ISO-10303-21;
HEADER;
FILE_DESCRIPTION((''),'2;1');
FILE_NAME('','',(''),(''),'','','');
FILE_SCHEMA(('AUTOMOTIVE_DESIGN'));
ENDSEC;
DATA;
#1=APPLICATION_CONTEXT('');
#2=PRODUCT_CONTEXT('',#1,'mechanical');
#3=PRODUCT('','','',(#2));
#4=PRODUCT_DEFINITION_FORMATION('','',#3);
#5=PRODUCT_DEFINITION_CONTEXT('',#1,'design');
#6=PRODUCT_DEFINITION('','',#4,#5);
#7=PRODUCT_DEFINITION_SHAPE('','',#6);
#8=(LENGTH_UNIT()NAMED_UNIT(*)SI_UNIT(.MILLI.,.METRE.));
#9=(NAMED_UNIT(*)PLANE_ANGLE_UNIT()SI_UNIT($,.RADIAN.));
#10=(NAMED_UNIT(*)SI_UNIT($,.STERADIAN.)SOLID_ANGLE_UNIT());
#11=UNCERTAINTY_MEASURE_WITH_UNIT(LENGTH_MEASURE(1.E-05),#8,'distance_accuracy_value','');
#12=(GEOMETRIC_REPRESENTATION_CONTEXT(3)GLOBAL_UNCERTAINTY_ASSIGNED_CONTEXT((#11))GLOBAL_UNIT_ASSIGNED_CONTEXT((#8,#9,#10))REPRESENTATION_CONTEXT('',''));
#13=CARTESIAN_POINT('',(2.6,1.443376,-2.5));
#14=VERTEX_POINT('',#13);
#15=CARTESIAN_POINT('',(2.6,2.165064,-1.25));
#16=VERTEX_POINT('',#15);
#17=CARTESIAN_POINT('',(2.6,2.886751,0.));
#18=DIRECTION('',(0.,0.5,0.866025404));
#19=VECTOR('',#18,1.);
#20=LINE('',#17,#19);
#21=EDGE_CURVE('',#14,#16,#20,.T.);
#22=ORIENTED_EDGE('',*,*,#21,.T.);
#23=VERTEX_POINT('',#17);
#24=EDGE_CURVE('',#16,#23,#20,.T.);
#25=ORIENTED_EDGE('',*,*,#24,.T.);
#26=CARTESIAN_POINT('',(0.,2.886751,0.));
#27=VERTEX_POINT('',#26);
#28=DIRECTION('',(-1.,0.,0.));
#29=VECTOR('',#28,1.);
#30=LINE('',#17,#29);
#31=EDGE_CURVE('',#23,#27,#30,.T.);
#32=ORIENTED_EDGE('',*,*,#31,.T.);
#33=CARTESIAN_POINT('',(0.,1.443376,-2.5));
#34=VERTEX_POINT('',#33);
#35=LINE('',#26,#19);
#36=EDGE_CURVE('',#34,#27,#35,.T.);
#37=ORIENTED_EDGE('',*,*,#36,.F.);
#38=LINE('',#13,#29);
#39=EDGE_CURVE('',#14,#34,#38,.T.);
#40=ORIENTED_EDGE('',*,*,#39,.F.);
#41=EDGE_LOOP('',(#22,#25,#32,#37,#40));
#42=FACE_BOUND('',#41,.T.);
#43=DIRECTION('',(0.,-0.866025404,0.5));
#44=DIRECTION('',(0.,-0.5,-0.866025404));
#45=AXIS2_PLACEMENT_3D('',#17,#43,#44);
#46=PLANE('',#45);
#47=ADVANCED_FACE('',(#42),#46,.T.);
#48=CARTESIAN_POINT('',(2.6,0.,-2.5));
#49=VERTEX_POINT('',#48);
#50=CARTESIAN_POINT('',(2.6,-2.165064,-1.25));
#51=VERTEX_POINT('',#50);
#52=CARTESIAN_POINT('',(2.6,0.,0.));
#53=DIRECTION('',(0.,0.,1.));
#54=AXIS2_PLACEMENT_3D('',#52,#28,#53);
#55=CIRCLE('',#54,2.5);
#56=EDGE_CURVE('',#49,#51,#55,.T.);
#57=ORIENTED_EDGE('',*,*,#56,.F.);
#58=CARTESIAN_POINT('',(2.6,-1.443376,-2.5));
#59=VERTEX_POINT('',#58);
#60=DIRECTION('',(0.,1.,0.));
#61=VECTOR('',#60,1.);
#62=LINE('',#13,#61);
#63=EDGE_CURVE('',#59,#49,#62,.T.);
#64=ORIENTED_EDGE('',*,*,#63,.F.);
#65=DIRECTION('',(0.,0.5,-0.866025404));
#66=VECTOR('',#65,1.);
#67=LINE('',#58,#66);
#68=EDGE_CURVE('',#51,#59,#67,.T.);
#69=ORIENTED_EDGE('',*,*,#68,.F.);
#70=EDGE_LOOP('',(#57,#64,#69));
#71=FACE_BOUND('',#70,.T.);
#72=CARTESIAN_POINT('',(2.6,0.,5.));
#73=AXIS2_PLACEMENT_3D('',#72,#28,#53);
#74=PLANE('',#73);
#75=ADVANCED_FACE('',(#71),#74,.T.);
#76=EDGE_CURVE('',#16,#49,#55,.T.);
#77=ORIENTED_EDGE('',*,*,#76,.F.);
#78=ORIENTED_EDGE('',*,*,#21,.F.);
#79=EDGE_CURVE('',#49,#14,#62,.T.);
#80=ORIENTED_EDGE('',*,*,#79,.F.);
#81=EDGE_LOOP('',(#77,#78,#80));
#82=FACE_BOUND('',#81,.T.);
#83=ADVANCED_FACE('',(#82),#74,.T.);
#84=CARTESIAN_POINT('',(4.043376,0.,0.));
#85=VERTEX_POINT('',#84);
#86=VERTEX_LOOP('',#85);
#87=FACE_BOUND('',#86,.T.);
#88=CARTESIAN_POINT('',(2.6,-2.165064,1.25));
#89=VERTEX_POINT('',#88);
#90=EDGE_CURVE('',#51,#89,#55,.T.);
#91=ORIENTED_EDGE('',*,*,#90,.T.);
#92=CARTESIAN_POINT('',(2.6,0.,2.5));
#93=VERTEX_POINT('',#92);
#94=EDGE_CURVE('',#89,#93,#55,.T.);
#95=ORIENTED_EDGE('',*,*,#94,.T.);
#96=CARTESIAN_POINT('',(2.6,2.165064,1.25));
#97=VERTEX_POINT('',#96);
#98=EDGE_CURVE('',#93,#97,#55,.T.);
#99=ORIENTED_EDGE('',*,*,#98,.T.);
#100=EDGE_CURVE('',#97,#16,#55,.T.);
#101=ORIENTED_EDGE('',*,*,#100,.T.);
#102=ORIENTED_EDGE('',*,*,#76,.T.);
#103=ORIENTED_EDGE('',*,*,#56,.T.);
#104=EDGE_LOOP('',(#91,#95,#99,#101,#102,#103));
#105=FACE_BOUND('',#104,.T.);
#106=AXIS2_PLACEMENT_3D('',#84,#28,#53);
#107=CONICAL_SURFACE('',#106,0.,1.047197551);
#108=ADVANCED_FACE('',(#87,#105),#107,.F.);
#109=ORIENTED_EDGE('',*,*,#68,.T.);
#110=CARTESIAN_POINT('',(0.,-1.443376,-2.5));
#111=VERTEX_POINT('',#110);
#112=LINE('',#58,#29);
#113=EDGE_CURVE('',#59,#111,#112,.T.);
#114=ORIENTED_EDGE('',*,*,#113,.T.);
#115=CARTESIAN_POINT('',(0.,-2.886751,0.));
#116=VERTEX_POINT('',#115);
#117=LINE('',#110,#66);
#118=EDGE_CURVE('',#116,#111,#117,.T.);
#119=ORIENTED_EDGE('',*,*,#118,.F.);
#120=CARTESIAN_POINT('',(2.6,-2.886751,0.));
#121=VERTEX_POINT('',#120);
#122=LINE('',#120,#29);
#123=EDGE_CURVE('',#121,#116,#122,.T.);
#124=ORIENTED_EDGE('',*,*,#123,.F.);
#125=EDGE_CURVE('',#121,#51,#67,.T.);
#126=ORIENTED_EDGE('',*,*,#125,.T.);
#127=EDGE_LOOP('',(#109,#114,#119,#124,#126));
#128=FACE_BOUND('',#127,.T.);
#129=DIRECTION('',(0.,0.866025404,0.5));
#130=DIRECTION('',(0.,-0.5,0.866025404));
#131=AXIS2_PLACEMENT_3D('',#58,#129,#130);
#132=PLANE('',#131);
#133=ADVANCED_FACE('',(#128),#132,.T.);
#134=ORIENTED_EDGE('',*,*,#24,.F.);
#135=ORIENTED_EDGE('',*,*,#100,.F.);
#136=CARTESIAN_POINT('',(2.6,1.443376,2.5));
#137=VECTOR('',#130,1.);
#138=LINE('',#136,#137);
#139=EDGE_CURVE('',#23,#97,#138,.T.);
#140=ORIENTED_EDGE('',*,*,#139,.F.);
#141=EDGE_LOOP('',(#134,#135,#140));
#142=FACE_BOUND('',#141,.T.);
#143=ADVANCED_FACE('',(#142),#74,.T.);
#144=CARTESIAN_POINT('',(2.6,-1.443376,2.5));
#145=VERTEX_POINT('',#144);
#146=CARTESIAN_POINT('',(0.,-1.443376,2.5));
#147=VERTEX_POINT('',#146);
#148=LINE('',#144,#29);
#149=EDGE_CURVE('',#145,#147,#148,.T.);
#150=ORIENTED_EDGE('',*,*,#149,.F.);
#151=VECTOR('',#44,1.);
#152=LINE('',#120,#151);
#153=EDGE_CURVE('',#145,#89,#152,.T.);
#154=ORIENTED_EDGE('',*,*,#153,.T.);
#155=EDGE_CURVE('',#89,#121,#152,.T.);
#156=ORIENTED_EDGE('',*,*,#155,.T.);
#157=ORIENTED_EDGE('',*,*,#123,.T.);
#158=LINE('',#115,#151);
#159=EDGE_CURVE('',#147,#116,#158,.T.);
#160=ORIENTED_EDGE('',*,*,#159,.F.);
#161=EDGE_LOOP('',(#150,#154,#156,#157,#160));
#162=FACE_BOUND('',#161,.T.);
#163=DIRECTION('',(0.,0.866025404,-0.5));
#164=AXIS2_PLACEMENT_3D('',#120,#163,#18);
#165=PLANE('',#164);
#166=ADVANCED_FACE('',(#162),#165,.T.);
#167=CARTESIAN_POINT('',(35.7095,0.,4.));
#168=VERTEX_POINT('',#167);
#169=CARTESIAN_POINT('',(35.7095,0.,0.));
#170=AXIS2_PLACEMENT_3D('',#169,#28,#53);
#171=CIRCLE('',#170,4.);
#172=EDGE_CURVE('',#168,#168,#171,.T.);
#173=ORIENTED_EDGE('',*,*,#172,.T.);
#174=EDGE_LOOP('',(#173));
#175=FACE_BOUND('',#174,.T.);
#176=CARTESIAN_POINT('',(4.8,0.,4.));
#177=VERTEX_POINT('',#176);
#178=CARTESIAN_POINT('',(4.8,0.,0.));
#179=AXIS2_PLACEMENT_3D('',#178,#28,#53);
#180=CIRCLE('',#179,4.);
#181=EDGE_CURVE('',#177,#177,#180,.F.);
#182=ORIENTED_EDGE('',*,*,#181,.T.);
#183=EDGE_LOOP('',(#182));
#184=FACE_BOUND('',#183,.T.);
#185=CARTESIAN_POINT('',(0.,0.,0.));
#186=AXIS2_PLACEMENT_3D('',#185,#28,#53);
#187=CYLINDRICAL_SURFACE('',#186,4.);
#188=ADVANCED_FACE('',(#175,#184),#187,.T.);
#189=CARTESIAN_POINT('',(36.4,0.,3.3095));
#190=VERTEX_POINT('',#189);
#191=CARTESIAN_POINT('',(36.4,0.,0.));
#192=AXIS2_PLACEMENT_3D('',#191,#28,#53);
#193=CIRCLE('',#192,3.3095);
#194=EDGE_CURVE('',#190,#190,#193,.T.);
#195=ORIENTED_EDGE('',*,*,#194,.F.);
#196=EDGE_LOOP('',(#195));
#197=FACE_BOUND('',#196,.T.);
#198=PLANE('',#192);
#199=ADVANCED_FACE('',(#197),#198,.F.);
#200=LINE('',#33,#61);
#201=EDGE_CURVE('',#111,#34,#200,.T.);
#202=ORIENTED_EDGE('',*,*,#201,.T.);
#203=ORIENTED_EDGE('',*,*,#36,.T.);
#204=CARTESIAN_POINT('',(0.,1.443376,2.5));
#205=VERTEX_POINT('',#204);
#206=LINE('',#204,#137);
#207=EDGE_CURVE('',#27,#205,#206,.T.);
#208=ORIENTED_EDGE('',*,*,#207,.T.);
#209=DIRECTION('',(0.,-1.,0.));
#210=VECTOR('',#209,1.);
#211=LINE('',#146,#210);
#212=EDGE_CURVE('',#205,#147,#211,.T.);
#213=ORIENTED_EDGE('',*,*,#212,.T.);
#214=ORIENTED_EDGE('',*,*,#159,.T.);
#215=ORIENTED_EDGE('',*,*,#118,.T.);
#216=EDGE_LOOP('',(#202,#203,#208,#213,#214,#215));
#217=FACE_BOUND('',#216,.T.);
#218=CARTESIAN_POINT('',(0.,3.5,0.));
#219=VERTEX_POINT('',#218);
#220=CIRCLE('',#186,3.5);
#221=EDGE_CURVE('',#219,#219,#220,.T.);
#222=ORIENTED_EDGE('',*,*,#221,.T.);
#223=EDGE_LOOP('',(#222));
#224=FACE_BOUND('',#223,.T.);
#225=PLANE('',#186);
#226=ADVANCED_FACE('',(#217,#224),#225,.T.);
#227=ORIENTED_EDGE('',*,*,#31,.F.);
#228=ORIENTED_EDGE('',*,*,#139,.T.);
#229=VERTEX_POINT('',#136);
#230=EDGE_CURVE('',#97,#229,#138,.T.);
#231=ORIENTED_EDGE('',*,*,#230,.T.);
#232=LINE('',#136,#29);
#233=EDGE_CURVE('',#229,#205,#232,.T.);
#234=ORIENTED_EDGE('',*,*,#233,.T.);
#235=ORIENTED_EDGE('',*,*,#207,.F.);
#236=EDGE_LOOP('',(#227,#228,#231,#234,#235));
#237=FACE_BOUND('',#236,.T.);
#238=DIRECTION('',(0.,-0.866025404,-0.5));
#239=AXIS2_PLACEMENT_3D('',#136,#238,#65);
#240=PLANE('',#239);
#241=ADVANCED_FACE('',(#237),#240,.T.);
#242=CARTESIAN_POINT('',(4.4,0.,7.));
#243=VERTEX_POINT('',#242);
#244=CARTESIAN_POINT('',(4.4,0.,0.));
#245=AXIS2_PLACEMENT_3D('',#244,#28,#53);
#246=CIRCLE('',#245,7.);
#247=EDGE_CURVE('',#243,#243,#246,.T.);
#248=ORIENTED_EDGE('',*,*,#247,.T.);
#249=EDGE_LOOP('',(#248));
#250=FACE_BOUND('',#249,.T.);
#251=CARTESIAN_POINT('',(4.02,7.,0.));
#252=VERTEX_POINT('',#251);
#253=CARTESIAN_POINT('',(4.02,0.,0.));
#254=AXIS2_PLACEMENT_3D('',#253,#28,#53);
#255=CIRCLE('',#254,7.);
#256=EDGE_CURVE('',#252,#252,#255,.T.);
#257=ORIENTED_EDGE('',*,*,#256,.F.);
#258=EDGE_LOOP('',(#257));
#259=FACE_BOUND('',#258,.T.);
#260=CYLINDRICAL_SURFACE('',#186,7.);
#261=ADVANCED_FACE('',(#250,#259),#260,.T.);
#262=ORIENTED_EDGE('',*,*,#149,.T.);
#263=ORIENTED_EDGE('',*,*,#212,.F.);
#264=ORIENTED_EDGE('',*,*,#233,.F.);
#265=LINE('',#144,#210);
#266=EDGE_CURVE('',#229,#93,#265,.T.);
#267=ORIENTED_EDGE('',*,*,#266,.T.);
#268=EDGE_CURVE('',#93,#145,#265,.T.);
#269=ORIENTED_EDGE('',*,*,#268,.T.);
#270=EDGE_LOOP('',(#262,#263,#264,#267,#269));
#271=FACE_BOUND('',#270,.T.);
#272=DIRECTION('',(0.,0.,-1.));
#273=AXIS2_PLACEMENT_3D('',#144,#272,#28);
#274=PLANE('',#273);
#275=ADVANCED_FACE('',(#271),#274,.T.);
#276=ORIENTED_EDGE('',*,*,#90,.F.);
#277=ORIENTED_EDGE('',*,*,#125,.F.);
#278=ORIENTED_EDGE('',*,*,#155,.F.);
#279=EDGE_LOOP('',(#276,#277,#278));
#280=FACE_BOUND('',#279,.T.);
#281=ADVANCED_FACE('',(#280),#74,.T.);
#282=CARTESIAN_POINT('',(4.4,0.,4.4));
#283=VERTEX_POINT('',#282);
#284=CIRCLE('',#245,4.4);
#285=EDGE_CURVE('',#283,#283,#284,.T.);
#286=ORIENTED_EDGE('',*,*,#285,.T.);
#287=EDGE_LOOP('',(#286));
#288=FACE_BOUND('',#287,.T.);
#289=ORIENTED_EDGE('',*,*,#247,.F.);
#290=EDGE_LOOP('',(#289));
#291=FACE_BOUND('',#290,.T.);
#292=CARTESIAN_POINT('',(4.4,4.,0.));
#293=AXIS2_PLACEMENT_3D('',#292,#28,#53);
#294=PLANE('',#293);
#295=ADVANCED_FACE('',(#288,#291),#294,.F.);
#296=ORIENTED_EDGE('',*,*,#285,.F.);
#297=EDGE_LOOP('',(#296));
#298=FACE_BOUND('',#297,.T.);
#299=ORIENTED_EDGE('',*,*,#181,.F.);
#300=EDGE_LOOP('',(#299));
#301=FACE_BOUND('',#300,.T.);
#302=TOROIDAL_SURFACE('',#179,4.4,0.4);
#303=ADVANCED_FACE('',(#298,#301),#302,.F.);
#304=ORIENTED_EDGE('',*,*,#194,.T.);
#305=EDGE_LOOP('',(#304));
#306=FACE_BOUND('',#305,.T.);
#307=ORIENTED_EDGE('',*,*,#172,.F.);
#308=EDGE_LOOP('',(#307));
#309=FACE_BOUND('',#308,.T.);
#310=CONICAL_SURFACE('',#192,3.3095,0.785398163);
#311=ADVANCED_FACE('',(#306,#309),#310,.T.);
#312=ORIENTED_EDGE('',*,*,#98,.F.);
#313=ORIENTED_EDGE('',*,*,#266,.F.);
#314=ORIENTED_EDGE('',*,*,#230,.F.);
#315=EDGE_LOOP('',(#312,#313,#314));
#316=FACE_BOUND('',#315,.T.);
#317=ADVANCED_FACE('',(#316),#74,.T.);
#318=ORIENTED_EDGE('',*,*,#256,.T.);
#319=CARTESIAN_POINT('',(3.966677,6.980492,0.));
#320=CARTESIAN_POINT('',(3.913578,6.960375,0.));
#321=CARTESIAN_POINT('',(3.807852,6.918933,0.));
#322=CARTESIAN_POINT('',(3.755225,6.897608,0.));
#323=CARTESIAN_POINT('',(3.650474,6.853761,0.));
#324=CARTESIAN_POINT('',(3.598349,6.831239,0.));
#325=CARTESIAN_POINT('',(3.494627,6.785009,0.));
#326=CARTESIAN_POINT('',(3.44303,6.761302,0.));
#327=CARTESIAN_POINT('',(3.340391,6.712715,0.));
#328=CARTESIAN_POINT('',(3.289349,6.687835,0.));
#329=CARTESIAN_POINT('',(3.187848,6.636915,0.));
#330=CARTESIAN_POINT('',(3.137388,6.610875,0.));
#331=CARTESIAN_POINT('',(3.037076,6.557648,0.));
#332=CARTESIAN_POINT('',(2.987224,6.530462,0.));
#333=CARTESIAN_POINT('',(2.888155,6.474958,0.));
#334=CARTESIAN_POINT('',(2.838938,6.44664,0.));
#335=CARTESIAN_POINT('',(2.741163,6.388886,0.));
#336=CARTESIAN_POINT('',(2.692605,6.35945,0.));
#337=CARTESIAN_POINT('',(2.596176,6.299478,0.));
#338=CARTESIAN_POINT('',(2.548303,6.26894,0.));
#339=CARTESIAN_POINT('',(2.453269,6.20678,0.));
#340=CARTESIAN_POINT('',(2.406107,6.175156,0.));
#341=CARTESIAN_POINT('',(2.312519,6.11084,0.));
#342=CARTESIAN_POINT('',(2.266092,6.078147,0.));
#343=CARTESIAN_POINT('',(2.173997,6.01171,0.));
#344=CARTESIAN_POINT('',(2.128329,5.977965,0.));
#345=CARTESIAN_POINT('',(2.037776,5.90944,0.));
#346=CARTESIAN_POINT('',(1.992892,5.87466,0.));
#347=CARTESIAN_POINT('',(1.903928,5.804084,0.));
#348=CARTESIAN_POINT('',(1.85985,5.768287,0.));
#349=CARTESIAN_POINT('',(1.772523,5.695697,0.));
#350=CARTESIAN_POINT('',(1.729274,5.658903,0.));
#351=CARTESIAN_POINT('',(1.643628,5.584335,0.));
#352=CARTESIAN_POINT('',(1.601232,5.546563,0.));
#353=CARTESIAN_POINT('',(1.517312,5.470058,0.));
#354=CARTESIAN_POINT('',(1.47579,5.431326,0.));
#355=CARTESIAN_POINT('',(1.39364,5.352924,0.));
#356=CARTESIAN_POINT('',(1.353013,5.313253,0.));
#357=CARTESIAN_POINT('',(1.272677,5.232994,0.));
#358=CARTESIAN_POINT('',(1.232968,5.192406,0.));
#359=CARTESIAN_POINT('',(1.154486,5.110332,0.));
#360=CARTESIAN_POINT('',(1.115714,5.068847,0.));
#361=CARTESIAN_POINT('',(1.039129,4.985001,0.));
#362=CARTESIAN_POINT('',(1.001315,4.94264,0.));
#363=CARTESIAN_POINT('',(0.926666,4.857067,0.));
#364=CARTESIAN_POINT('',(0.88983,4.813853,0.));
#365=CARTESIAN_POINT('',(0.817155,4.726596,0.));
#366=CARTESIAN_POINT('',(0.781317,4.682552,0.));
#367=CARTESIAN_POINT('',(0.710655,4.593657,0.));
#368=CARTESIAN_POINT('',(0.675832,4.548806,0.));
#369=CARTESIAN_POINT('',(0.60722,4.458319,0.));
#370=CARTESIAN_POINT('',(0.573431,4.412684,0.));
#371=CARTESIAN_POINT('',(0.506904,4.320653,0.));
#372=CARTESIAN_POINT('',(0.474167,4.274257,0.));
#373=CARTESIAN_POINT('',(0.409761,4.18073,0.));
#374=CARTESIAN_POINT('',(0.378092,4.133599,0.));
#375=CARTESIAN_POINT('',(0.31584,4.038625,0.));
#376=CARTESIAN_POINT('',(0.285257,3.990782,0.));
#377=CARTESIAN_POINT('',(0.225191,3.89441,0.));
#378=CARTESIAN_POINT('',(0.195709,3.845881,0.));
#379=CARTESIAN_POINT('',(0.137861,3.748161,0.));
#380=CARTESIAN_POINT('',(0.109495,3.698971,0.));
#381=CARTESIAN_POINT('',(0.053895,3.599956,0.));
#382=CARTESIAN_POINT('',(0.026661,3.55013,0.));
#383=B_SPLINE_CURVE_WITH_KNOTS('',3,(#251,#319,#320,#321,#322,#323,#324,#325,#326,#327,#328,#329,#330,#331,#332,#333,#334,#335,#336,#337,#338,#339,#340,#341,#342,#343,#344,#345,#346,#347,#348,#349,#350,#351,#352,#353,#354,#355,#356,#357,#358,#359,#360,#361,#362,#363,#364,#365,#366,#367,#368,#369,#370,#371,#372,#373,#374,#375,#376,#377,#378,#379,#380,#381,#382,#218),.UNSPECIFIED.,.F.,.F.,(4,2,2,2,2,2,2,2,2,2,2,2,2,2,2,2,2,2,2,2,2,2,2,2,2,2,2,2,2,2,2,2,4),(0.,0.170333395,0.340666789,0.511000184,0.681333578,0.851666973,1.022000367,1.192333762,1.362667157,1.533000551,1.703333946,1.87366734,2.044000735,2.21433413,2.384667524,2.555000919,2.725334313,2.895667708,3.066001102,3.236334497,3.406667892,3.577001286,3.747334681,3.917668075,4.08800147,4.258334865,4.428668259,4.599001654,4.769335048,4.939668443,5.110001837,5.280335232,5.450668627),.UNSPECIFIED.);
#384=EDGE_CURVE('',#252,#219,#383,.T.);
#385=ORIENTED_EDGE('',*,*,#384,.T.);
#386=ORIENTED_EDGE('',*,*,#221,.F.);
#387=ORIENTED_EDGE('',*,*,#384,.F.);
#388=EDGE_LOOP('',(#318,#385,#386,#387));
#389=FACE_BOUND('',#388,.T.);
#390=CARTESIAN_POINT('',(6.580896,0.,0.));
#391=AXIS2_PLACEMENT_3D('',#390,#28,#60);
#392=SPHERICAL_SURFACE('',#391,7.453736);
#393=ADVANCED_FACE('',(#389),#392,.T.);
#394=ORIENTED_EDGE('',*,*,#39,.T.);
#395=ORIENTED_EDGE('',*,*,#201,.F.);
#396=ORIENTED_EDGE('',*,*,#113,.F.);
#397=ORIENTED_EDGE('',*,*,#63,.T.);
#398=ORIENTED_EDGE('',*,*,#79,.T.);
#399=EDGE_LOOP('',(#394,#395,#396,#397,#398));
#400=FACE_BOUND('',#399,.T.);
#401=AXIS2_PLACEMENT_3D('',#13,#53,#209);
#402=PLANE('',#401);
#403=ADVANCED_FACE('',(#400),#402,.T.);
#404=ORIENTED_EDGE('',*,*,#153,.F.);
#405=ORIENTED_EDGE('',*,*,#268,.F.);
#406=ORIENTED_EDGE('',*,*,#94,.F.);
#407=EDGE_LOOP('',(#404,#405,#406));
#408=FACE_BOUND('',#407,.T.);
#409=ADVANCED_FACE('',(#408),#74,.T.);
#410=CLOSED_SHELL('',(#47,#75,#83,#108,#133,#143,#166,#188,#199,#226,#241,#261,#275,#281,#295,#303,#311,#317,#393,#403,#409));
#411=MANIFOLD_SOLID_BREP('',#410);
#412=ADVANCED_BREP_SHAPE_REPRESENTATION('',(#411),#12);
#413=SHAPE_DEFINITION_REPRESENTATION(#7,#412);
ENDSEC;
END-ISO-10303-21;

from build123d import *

# Parameters (mm, degrees)
FILLET1_R   = 0.4
HEX_2_DEPTH = 2.6


with BuildPart() as part:
    # BodySke → BaseBody (revolve)
    with BuildSketch(Plane.XY, mode=Mode.PRIVATE) as basebody_sk:
        with BuildLine():
            Line((36.4, 0), (36.4, 3.3095))
            Line((36.4, 3.3095), (35.7095, 4))
            Line((35.7095, 4), (4.4, 4))
            Line((4.4, 4), (4.4, 7))
            Line((4.4, 7), (4.02, 7))
            ThreePointArc((4.02, 7), (1.686451133, 5.621618984), (0, 3.5))
            Line((0, 3.5), (0, 0))
            Line((0, 0), (36.4, 0))
        make_face()
    revolve(basebody_sk.sketch.rotate(Axis((0, 0, 0), (1, 0, 0)), 90), axis=Axis((0, 0, 0), (1, 0, 0)))

    # Fillet1
    fillet1_edges = [part.edges().sort_by_distance(p)[0] for p in [
        (4.4, 0, -4),
    ]]
    fillet(fillet1_edges, radius=FILLET1_R)

    # Sketch2 → PreBroach (revolve, cut)
    with BuildSketch(Plane.XY, mode=Mode.PRIVATE) as prebroach_sk:
        Polygon((0, 2.5), (2.6, 2.5), (4.043375673, 0), (0, 0), align=None)
    revolve(prebroach_sk.sketch.rotate(Axis((0, 0, 0), (1, 0, 0)), 90), axis=Axis((0, 0, 0), (1, 0, 0)), mode=Mode.SUBTRACT)

    # Sketch3 → Hex 2 (cut)
    with BuildSketch(Plane(origin=(0, 0, 0), x_dir=(0, 0, -1), z_dir=(1, 0, 0))):
        Polygon((-2.5, -1.443375673), (-2.5, 1.443375673), (0, 2.886751346), (2.5, 1.443375673), (2.5, -1.443375673), (0, -2.886751346), align=None)
    extrude(amount=HEX_2_DEPTH, mode=Mode.SUBTRACT)


solid = part.part
